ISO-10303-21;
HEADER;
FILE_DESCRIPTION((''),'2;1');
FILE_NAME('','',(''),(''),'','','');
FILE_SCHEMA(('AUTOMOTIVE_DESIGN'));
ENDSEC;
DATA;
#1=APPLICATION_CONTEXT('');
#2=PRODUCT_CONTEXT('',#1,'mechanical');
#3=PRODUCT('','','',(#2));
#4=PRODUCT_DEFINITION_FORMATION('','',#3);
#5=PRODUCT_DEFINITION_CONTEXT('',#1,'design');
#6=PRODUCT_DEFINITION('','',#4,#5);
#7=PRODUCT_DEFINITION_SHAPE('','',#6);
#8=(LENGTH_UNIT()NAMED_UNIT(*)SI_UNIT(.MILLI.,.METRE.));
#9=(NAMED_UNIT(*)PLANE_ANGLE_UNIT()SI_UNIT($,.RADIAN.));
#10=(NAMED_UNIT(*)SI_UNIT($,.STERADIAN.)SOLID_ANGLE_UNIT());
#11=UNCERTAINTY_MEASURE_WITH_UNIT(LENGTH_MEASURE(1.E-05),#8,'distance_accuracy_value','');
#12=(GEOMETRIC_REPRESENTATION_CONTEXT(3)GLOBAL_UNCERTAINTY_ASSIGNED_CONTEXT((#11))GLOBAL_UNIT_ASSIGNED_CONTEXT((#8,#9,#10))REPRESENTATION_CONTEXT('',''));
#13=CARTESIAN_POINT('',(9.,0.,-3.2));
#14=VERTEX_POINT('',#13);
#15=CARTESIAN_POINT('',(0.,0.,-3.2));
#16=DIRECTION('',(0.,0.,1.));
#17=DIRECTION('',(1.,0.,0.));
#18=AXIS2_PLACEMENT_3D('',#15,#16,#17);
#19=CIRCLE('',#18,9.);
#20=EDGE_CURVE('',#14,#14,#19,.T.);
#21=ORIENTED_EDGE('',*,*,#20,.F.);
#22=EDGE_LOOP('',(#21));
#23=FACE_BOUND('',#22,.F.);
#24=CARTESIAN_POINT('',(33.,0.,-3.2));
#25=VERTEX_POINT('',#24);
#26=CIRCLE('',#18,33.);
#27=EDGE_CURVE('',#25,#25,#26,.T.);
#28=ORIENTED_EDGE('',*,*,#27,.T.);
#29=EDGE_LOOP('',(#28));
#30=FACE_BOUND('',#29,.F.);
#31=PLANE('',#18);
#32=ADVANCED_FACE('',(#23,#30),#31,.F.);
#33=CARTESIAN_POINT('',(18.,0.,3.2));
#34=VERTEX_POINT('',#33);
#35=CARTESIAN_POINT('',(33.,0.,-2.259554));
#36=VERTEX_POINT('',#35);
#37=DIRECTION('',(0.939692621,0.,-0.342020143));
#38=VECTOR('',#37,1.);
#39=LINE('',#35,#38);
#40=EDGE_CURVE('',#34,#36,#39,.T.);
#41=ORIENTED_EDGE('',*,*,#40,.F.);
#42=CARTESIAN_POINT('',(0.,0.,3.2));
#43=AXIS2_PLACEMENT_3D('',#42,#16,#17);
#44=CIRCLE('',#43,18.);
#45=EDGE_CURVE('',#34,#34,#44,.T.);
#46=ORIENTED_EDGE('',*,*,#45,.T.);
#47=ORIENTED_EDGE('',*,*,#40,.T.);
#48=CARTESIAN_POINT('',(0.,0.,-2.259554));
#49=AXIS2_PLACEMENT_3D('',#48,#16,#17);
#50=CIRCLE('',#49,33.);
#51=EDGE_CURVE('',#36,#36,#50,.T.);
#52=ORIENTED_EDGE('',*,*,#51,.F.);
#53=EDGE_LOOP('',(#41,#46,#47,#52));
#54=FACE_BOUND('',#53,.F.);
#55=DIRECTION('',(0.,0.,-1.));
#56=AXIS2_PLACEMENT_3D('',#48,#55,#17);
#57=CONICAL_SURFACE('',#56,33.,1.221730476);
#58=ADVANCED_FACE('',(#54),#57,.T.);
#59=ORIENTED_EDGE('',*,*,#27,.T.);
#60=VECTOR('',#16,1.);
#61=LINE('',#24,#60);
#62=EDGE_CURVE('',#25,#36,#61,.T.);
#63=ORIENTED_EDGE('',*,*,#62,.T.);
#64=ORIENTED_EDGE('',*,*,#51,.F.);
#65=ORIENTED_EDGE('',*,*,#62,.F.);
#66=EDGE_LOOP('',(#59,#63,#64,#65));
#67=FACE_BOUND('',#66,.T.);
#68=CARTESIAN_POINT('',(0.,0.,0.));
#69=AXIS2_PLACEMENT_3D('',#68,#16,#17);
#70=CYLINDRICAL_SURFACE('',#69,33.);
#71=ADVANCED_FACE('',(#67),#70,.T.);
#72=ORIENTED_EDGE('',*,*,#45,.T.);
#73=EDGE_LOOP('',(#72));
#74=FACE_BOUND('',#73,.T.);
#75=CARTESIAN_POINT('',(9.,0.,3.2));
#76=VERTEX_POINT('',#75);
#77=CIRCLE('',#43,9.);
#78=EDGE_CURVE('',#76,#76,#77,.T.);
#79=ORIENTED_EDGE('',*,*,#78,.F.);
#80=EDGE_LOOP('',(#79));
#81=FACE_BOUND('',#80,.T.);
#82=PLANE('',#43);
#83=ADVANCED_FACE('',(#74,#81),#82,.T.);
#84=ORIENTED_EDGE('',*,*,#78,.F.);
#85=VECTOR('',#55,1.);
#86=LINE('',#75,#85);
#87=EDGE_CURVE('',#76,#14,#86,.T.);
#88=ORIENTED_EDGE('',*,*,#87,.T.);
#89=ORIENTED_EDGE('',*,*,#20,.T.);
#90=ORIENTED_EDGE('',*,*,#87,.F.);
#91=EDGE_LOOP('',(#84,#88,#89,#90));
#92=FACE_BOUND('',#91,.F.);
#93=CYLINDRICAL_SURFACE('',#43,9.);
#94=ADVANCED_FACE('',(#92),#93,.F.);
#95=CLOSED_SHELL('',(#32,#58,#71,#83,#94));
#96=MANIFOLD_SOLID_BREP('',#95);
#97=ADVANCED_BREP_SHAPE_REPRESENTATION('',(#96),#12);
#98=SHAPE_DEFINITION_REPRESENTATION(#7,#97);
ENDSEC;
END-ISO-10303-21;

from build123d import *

# Parameters (mm, degrees)
F0_R     = 33
F1_DEPTH = 3.2
F2_R     = 9
F3_DEPTH = 6.401
F4_SIZE2 = 5.459553514
F4_SIZE  = 15


with BuildPart() as f1:
    # F0 (on Top) → F1 (new body, symmetric)
    with BuildSketch(Plane.XY):
        Circle(F0_R)
    extrude(amount=F1_DEPTH, both=True)

    # F2 (on face) → F3 (cut, through all)
    with BuildSketch(Plane.XY.offset(3.2)):
        Circle(F2_R)
    extrude(amount=-F3_DEPTH, mode=Mode.SUBTRACT)

    # F4
    f4_edges = [f1.edges().sort_by_distance(p)[0] for p in [
        (-33, 0, 3.2),
    ]]
    f4_side = f1.faces().sort_by_distance((-32.066619, 0, 3.2))[0]
    chamfer(f4_edges, length=F4_SIZE, length2=F4_SIZE2, reference=f4_side)


solid = f1.part
